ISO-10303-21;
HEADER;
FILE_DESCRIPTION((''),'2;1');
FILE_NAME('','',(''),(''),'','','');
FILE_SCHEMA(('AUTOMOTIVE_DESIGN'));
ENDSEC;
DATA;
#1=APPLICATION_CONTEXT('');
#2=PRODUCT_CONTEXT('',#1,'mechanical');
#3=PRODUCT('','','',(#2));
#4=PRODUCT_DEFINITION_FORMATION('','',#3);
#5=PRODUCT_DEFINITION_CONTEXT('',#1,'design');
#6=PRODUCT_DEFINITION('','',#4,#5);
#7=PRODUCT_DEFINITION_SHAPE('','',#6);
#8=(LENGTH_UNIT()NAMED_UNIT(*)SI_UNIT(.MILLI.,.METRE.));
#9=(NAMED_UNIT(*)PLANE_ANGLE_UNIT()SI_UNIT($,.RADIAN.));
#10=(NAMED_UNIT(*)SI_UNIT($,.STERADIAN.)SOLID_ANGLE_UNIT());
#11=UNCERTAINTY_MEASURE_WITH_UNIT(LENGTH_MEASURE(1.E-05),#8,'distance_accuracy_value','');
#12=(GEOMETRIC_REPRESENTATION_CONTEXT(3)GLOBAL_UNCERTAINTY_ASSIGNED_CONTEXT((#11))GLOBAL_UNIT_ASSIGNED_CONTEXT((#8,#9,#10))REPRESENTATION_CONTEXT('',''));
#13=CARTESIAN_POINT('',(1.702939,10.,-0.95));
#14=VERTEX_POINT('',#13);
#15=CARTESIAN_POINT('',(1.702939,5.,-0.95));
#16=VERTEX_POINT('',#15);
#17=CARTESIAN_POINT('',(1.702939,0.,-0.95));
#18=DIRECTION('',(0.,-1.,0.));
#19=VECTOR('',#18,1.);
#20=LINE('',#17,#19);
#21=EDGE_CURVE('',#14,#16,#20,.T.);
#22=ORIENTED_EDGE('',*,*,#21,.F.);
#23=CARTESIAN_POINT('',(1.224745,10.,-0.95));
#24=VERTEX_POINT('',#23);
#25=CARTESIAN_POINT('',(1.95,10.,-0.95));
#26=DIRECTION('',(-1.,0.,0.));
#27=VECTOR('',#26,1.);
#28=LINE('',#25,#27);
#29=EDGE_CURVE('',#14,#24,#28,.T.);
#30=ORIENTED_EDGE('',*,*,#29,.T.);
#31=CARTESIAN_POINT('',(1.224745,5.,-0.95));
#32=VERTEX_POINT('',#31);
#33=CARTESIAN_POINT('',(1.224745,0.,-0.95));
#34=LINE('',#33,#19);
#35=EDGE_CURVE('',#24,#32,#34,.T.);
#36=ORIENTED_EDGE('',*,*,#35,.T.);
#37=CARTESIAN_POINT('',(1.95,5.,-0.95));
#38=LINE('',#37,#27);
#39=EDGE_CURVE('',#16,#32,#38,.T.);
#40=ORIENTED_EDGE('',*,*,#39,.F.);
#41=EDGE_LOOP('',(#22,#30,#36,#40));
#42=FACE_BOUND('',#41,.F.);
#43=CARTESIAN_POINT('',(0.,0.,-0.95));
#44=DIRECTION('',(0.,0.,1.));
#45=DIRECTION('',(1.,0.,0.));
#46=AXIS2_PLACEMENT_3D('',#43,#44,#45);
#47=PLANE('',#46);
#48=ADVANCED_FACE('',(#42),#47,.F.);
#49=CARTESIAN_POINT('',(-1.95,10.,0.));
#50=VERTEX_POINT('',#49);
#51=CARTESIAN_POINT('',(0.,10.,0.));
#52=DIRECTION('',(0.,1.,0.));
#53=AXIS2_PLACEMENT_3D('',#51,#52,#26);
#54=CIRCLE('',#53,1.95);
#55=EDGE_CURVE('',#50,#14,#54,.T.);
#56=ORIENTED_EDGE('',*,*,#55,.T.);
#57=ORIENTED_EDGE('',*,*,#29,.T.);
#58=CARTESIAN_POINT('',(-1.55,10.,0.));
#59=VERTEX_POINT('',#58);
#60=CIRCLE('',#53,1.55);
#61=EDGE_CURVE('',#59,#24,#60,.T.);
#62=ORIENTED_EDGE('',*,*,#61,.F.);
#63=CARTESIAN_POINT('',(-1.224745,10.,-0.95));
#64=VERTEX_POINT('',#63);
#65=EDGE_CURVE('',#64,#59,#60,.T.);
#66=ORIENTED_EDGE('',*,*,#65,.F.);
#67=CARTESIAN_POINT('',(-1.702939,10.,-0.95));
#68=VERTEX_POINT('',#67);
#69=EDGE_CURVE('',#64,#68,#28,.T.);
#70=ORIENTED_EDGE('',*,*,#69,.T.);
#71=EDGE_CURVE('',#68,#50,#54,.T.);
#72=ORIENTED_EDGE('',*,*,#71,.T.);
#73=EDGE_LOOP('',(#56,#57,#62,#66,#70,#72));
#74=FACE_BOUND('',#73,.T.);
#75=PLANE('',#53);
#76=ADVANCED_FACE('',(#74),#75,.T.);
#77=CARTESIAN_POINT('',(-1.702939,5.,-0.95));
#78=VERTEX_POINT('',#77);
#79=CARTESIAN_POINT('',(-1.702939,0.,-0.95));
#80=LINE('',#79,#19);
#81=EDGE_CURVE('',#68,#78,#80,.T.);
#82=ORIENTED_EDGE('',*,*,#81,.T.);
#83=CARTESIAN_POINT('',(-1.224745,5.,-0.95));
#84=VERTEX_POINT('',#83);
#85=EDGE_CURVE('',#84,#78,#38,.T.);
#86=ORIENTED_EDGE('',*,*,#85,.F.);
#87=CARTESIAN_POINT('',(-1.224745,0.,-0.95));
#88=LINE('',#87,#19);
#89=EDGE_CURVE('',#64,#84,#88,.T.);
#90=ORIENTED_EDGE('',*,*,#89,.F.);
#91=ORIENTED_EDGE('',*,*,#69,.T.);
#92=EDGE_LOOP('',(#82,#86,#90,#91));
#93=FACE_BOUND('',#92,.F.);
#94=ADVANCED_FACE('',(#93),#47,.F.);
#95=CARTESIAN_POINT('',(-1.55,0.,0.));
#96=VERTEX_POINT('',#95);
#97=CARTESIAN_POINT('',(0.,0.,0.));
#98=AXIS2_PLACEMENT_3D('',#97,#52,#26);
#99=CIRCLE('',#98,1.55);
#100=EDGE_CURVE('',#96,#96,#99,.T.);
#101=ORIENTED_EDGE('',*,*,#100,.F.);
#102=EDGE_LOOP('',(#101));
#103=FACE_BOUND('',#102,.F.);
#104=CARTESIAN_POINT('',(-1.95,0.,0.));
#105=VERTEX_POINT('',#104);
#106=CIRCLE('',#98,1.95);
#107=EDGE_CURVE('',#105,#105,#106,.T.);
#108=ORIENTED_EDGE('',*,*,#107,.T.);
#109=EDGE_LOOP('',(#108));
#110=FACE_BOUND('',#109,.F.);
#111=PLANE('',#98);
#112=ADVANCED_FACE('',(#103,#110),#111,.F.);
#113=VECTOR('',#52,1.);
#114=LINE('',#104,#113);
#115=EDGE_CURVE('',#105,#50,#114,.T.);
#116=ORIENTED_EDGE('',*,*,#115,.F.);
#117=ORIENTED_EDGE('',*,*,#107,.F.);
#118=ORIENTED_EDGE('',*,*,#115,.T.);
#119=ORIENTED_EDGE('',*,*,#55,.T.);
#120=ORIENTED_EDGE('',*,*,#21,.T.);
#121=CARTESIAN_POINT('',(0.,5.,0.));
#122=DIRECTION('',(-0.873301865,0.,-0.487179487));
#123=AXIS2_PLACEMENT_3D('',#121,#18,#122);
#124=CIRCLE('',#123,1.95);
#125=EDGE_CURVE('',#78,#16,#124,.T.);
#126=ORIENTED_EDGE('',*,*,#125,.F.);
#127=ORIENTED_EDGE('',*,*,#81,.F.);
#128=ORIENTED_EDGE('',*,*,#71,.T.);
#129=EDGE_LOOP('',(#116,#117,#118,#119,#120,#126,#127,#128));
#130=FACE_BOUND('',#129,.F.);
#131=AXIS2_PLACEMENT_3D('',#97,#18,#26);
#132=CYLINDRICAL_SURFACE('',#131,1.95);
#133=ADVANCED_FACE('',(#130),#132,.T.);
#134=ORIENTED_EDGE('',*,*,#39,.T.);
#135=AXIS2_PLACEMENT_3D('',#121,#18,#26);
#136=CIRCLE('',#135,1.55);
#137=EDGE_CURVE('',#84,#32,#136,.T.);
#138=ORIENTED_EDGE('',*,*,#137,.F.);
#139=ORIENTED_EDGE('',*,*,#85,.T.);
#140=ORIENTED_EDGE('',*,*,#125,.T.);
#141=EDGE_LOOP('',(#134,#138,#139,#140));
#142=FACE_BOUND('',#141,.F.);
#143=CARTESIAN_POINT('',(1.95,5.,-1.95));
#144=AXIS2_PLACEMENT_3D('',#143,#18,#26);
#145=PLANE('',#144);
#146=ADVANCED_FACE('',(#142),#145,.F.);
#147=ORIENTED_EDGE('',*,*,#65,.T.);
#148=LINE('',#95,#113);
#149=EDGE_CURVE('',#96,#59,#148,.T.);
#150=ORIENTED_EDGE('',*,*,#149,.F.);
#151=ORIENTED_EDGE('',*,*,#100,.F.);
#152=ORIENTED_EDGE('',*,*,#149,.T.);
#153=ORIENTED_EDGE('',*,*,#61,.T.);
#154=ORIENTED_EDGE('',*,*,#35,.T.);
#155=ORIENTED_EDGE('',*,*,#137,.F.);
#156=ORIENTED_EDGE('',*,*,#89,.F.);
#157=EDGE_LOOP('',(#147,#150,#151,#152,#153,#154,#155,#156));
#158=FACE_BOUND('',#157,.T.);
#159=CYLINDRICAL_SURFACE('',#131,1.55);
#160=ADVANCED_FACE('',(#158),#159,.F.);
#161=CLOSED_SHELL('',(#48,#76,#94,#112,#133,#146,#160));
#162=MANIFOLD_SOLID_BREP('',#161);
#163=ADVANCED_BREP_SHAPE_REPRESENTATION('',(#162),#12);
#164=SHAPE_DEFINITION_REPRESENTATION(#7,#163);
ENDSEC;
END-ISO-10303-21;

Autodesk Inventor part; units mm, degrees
ref_plane "YZ Plane" through (0, 0, 0) normal (1, 0, 0) x (0, 1, 0)
ref_plane "XZ Plane" through (0, 0, 0) normal (0, 1, 0) x (-1, 0, 0)
sketch "Sketch1" plane through (0, 0, 0) normal (0, 1, 0) x (-1, 0, 0)
  circle A0 centre (0, 0) radius 1.55
  circle A1 centre (0, 0) radius 1.95
  dimension "d0" = 3.1
  dimension "d1" = 3.9
extrude "Extrusion1" add sketch "Sketch1" along normal blind 10
ref_plane "Work Plane1" through (0, 0, -1.95) normal (0, 0, 1) x (1, 0, 0)
sketch "Sketch2" plane through (0, 0, -1.95) normal (0, 0, 1) x (1, 0, 0)
  line L0 (1.95, 10) -> (-1.95, 10) projected
  line L1 (-1.95, 10) -> (1.95, 10)
  line L2 (1.95, 10) -> (1.95, 5)
  line L3 (1.95, 5) -> (-1.95, 5)
  line L4 (-1.95, 5) -> (-1.95, 10)
  point P0 (0, 0)
  dimension "d4" = 5
extrude "Extrusion2" cut sketch "Sketch2" along normal blind 1
properties part number "Motor sleeve"
